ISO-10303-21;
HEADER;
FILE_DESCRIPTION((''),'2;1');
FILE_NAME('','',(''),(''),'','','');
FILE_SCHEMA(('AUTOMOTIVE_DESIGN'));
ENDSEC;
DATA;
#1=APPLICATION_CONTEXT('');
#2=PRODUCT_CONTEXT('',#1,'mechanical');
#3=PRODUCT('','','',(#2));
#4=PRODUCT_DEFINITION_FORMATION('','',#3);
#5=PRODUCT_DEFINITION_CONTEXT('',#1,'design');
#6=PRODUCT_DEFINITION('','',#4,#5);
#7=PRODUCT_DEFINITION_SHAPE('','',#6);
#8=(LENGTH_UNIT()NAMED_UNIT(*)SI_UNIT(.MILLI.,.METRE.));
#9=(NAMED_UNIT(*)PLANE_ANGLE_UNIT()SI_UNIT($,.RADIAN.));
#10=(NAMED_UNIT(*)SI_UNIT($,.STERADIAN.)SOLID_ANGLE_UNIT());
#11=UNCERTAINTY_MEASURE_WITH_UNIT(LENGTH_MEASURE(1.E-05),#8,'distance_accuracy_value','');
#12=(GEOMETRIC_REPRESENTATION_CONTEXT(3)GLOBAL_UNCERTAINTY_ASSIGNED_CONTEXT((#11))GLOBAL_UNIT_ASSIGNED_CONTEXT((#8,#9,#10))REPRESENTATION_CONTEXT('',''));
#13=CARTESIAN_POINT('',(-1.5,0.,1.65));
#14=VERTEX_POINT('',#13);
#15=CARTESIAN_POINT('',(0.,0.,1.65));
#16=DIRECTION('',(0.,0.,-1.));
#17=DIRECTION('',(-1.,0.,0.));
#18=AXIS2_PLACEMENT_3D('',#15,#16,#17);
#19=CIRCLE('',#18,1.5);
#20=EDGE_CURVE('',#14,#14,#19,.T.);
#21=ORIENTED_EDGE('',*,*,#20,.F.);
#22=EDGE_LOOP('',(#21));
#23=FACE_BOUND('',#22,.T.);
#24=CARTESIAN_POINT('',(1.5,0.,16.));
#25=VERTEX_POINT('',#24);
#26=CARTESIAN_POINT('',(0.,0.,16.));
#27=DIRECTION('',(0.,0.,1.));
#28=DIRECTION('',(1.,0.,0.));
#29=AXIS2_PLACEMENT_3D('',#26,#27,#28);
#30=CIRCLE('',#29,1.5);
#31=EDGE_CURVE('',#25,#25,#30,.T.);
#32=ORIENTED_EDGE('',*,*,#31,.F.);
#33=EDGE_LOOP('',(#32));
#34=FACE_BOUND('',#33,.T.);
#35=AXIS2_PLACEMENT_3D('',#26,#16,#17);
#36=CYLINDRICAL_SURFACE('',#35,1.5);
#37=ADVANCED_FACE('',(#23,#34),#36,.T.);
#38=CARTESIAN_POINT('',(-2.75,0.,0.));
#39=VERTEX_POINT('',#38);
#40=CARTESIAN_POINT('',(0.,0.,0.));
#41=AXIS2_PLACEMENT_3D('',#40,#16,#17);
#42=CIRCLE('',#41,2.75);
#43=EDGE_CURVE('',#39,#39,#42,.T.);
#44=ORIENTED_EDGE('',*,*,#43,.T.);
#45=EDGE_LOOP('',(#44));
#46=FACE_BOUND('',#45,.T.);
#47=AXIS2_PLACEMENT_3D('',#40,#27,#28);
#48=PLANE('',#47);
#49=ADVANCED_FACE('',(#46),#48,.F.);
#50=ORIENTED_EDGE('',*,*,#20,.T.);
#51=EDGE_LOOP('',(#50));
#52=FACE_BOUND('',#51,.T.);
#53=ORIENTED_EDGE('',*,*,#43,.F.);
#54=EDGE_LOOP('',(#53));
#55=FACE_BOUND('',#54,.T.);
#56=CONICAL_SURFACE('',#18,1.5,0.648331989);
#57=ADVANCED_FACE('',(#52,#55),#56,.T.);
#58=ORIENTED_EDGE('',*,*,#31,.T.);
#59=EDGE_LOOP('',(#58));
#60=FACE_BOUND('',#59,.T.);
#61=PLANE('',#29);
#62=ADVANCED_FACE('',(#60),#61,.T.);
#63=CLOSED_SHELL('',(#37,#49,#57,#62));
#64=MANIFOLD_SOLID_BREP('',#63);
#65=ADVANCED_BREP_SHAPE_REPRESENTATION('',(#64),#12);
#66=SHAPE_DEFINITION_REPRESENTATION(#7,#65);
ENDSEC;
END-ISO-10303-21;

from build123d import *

# Parameters (mm, degrees)
SKETCH_1_R      = 1.5
EXTRUDE_1_DEPTH = 16


with BuildPart() as part:
    # 草图1 → 凸台-拉伸1 (new body)
    with BuildSketch(Plane.XY):
        Circle(SKETCH_1_R)
    extrude(amount=EXTRUDE_1_DEPTH)

    # 草图2 → 旋转1 (revolve)
    with BuildSketch(Plane(origin=(0, 0, 0), x_dir=(1, 0, 0), z_dir=(0, 1, 0)), mode=Mode.PRIVATE) as revolve_1_sk:
        Polygon((1.5, 0), (2.75, 0), (1.5, -1.65), align=None)
    revolve(revolve_1_sk.sketch.rotate(Axis((0, 0, 0), (0, 0, 1)), 180), axis=Axis((0, 0, 0), (0, 0, 1)))


solid = part.part
